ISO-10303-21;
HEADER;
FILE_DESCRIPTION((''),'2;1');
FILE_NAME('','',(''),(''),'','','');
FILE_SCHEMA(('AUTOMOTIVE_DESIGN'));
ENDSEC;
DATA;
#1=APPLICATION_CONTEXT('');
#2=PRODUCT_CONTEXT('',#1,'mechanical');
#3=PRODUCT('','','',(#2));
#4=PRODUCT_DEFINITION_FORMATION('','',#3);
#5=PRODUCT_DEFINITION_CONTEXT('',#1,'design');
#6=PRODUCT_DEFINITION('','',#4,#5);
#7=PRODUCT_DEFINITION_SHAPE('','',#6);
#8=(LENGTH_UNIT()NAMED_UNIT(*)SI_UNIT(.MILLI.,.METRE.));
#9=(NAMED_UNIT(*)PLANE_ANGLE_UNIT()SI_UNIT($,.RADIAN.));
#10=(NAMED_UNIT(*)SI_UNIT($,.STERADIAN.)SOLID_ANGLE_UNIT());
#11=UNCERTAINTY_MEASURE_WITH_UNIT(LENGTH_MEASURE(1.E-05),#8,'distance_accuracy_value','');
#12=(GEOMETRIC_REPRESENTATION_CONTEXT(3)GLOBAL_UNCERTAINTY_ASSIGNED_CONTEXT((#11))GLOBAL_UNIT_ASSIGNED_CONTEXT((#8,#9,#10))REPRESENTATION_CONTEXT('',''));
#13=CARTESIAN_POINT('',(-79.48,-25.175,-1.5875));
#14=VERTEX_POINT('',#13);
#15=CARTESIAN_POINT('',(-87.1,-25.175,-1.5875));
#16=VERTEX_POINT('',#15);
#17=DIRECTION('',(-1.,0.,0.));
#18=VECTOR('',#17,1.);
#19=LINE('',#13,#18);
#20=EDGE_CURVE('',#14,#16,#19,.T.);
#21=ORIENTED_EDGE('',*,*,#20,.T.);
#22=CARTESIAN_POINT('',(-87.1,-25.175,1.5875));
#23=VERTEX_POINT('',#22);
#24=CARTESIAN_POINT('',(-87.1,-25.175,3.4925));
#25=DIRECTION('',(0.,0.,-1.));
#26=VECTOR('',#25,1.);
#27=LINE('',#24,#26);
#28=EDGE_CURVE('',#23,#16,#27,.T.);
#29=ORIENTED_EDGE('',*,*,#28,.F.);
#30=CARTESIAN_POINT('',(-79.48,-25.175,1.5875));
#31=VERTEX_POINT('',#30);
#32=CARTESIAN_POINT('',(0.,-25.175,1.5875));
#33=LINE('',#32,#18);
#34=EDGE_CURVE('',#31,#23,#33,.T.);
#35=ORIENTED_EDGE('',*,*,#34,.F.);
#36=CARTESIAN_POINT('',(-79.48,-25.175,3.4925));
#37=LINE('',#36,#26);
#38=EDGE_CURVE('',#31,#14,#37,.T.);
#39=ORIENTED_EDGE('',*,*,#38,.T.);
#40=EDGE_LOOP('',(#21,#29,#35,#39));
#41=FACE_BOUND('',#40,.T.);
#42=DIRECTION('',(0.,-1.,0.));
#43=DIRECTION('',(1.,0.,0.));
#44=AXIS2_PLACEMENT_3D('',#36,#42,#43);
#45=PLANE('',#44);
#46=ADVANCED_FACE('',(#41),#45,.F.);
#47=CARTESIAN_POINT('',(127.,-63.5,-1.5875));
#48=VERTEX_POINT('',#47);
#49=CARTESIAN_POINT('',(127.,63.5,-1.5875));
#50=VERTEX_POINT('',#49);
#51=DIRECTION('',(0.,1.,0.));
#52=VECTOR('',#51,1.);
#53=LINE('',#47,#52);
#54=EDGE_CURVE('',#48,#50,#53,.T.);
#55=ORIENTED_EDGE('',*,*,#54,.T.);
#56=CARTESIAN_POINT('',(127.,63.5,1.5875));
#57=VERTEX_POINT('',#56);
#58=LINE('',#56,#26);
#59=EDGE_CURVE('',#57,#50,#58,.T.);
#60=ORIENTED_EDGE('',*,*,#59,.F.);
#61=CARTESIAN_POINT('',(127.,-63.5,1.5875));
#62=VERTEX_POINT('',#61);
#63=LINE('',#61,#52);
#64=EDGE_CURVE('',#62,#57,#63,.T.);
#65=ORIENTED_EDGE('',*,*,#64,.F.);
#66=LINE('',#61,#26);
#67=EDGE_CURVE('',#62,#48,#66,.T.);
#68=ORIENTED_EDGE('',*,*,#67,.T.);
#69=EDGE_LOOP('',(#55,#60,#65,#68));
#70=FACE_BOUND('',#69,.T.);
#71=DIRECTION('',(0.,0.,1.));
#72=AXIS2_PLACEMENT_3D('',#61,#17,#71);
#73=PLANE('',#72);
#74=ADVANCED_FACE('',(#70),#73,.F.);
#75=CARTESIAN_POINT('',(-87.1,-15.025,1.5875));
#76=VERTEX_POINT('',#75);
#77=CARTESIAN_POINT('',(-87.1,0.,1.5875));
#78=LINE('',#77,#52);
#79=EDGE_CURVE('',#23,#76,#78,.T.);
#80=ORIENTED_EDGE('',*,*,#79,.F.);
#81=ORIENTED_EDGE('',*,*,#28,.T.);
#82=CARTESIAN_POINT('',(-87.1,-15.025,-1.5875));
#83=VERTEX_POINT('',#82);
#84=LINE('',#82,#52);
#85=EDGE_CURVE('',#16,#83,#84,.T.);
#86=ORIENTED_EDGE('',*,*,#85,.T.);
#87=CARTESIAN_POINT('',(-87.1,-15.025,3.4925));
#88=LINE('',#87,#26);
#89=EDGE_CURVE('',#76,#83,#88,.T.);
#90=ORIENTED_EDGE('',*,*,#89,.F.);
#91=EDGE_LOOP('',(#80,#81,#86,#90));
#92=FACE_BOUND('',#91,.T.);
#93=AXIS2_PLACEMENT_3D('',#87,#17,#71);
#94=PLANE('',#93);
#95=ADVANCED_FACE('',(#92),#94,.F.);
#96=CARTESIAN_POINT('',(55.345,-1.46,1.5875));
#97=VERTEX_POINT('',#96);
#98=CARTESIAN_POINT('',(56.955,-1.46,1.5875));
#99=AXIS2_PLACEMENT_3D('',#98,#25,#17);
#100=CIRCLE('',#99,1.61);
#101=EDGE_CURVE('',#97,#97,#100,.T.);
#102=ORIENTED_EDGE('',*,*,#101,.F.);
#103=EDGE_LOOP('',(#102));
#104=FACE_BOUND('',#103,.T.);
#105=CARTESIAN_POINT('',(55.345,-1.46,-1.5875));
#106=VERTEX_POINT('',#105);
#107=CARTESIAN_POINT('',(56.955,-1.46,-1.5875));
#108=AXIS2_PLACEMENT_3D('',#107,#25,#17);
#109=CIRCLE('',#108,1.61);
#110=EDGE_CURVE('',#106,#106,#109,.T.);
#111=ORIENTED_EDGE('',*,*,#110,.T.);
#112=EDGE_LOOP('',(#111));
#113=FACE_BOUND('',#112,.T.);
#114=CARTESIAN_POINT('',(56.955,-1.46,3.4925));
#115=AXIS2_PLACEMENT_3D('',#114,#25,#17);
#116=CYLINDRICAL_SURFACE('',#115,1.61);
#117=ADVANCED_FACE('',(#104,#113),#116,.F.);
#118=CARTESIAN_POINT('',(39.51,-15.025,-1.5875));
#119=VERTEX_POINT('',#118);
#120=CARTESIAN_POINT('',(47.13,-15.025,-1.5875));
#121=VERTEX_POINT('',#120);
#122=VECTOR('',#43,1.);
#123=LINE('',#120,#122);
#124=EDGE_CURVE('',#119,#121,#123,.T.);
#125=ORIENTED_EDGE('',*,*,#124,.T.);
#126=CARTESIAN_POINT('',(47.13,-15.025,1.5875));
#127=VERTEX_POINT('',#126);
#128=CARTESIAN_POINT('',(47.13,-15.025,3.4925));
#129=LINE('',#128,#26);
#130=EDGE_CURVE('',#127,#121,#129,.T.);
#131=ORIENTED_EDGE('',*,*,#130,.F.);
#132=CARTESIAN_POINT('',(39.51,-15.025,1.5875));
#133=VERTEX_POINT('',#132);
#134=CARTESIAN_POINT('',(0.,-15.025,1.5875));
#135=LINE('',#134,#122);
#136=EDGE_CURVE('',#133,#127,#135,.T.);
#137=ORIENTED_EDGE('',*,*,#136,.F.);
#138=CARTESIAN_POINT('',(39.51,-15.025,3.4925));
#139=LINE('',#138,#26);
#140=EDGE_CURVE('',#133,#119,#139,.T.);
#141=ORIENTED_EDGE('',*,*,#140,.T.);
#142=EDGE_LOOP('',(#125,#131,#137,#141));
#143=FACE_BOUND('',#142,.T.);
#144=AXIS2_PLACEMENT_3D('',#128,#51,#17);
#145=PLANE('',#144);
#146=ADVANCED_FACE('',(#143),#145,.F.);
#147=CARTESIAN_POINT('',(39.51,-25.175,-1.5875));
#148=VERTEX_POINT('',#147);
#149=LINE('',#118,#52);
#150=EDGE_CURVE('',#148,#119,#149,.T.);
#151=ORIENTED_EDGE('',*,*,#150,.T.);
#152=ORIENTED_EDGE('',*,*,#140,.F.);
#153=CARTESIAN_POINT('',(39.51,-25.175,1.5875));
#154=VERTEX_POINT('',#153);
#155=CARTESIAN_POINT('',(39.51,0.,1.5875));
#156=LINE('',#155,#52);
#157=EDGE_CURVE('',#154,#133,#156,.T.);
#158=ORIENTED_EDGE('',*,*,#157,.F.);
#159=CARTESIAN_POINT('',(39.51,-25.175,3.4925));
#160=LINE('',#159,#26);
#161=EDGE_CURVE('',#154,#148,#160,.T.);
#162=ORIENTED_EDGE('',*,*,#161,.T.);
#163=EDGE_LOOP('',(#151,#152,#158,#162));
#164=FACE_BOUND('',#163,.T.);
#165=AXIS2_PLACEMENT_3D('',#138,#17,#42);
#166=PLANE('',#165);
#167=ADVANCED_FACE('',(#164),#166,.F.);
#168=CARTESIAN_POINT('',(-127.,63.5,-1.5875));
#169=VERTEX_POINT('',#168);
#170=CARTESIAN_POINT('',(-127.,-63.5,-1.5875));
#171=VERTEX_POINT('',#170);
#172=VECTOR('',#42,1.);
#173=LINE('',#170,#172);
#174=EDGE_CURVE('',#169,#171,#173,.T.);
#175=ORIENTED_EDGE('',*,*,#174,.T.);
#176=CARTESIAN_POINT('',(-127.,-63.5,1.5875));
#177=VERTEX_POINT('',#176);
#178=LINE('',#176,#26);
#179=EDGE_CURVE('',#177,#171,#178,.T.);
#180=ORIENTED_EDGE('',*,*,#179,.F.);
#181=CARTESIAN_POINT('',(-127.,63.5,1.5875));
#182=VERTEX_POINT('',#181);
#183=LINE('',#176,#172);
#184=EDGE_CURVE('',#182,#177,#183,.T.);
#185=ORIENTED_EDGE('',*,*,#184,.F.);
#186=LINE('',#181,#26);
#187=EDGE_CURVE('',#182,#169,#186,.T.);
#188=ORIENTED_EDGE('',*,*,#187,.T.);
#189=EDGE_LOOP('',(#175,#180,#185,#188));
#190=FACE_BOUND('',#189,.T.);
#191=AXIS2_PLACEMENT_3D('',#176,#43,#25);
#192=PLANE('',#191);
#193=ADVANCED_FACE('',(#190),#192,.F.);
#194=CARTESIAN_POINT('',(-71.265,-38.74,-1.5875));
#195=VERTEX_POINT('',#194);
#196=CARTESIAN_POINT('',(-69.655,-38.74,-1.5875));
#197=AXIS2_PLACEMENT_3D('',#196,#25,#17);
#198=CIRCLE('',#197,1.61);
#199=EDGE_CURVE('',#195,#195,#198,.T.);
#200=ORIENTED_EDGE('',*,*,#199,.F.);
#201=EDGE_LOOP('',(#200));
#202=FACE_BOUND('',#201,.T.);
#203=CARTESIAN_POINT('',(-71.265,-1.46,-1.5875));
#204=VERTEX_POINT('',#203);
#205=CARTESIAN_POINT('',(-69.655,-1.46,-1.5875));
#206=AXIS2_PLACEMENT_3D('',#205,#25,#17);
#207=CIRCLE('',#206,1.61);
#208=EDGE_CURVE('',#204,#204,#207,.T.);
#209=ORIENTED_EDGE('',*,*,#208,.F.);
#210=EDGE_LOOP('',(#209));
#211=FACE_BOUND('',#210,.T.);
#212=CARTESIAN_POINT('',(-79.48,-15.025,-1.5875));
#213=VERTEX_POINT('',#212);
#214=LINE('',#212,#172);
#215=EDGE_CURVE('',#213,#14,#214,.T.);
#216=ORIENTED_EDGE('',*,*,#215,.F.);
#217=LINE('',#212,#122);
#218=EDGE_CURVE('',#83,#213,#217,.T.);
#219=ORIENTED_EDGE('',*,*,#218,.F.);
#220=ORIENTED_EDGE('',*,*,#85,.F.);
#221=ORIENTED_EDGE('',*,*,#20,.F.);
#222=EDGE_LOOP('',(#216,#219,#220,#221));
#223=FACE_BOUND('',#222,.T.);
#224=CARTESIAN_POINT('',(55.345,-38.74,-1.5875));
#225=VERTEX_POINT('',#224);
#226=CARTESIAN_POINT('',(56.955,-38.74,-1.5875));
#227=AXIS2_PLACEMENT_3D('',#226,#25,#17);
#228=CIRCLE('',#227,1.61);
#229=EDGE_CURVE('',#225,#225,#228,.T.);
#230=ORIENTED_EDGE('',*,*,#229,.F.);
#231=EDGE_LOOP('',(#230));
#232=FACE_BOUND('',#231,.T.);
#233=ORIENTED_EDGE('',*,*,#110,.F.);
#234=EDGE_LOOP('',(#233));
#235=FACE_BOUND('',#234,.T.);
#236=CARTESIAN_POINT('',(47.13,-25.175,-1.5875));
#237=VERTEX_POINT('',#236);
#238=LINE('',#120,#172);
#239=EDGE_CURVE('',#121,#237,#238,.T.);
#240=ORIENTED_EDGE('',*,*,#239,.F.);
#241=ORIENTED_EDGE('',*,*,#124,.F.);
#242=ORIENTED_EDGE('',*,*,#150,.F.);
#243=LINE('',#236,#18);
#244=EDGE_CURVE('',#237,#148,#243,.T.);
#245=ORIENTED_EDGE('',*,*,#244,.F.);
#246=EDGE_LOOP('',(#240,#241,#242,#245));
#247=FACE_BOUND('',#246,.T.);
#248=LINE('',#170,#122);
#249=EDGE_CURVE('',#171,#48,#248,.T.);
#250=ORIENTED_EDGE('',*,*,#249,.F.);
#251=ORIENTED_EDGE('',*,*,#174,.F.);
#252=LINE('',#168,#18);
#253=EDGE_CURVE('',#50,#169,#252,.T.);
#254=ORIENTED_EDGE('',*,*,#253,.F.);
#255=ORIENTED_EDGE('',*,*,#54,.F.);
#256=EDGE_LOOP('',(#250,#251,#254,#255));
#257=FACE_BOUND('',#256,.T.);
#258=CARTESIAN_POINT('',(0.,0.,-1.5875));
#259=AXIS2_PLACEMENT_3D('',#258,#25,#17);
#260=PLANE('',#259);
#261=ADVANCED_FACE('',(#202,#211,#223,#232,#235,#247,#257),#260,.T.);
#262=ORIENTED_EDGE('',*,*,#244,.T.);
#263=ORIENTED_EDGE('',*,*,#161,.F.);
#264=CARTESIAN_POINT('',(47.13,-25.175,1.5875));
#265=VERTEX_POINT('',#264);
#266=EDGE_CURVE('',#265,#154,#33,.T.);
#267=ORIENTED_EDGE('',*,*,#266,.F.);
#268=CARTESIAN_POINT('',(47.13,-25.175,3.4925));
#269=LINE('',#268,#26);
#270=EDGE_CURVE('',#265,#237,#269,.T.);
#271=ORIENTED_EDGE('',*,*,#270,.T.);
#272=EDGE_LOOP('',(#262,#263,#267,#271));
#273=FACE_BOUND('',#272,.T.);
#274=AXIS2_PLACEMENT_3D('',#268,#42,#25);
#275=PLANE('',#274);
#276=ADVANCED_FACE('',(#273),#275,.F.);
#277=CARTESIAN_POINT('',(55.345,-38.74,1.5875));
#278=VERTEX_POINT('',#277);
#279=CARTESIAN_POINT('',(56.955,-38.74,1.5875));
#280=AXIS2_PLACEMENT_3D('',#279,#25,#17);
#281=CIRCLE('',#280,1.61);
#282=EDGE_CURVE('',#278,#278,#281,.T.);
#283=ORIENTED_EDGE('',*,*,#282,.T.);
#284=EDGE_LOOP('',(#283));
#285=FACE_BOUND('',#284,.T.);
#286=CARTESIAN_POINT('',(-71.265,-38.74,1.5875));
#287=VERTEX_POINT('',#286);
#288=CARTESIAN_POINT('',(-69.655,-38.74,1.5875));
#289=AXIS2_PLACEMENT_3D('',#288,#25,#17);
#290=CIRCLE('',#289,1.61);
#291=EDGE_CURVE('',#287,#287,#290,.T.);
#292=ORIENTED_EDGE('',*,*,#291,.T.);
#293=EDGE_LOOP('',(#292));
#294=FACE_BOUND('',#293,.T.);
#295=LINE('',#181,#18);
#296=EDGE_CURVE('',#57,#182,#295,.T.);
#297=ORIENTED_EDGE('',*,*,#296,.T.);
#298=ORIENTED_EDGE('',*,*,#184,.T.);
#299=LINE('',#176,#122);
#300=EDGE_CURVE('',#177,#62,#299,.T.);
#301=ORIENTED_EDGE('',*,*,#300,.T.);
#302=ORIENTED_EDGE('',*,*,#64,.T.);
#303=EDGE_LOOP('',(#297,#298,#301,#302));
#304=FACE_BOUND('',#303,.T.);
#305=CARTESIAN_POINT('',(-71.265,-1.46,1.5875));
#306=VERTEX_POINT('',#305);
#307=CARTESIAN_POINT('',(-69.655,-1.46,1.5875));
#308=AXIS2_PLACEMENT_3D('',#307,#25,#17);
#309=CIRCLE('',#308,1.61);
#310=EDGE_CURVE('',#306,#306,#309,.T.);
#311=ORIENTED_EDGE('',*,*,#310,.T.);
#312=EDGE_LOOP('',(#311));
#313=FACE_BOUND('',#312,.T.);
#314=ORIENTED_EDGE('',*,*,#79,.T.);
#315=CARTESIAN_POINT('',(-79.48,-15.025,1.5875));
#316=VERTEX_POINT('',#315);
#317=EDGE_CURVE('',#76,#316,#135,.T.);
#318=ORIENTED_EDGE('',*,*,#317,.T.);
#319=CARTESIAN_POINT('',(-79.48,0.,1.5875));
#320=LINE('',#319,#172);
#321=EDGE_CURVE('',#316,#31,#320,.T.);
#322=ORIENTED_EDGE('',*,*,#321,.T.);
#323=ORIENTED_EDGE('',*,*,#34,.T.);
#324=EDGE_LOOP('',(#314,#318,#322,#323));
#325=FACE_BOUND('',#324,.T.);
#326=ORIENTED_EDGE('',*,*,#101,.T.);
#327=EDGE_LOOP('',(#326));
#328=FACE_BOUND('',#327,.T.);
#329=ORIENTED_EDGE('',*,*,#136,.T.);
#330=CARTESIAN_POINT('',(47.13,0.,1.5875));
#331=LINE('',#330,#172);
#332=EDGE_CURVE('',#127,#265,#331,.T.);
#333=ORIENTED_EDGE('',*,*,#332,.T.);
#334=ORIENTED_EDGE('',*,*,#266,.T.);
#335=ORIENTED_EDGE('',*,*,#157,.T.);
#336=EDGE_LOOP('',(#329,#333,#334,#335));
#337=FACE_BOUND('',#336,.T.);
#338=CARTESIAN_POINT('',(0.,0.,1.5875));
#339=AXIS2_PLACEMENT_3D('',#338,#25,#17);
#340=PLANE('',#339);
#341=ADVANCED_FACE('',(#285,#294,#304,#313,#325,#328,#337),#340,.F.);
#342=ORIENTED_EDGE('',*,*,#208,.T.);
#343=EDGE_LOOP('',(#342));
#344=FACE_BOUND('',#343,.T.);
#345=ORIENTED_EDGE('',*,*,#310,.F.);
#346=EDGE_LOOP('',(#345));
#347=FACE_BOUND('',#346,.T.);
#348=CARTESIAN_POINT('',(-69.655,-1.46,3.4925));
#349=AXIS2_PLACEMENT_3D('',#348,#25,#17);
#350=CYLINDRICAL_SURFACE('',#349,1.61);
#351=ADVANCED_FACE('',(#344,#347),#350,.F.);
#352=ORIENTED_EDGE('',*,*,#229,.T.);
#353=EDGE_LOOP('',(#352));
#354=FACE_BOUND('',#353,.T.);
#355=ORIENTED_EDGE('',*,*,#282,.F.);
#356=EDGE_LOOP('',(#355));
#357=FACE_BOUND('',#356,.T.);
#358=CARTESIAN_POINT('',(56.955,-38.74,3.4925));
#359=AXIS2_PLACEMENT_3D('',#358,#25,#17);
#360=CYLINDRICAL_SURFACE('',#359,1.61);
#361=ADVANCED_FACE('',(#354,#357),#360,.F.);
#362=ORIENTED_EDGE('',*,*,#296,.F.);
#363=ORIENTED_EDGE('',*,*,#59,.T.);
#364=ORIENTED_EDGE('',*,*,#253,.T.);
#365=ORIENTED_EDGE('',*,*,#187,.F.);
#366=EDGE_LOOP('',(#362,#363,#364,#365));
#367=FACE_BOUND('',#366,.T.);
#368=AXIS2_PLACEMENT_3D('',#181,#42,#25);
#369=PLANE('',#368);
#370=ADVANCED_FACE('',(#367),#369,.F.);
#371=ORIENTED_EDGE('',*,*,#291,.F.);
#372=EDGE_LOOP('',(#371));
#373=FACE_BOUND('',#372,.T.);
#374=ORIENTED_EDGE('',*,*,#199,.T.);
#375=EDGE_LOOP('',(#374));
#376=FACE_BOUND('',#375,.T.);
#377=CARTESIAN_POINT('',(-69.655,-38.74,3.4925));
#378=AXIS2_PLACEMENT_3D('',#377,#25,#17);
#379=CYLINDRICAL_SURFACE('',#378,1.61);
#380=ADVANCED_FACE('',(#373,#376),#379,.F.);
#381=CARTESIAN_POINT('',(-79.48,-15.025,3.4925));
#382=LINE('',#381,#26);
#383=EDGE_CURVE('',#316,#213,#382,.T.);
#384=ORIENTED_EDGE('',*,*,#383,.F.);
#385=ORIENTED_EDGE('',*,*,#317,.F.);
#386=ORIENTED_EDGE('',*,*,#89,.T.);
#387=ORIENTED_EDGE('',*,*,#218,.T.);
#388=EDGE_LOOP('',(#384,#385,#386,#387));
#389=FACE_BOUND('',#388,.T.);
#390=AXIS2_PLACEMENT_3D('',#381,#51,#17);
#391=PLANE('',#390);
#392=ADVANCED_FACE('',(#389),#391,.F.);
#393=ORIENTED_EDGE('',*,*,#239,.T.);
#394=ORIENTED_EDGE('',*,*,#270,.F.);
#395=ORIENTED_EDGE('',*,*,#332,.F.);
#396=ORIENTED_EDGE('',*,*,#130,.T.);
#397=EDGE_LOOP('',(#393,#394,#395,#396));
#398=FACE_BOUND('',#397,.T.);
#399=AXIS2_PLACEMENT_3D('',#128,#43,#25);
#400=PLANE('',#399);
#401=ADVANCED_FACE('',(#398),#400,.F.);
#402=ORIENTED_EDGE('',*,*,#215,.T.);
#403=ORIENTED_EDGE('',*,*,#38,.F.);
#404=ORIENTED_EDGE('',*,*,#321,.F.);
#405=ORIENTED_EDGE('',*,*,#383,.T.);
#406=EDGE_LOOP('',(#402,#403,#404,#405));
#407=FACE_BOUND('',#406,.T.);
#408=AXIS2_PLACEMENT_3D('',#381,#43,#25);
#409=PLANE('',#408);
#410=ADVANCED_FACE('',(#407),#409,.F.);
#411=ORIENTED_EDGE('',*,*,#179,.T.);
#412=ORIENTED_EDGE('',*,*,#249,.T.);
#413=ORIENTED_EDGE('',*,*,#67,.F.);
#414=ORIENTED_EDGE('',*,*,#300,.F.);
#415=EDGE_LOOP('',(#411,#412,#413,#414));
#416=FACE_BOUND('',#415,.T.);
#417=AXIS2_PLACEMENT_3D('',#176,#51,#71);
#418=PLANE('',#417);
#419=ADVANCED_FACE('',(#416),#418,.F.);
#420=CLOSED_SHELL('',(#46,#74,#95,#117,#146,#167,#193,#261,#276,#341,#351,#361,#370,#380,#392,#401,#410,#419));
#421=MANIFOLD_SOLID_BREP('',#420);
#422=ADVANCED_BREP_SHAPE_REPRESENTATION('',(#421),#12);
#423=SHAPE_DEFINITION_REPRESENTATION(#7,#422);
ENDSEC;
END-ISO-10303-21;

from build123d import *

# Parameters (mm, degrees)
SKETCH1_W           = 254
SKETCH1_H           = 127
BOSS_EXTRUDE1_DEPTH = 1.5875
SKETCH3_R           = 1.61
SKETCH3_W           = 7.62
SKETCH3_H           = 10.15
CUT_EXTRUDE2_DEPTH  = 5.08


with BuildPart() as part:
    # Sketch1 → Boss-Extrude1 (new body, symmetric)
    with BuildSketch(Plane.XY):
        Rectangle(SKETCH1_W, SKETCH1_H)
    extrude(amount=BOSS_EXTRUDE1_DEPTH, both=True)

    # Sketch3 → Cut-Extrude2 (cut)
    with BuildSketch(Plane(origin=(0, 0, -1.5875), x_dir=(-1, 0, 0), z_dir=(0, 0, -1))):
        with Locations((-56.955000009, -1.46)):
            Circle(SKETCH3_R)
        with Locations((-56.955000009, -38.74)):
            Circle(SKETCH3_R)
        with Locations((69.655000008, -38.74)):
            Circle(SKETCH3_R)
        with Locations((69.655000008, -1.46)):
            Circle(SKETCH3_R)
        with Locations((-43.320000018, -20.1)):
            Rectangle(SKETCH3_W, SKETCH3_H)
        with Locations((83.289999999, -20.1)):
            Rectangle(SKETCH3_W, SKETCH3_H)
    extrude(amount=-CUT_EXTRUDE2_DEPTH, mode=Mode.SUBTRACT)


solid = part.part
